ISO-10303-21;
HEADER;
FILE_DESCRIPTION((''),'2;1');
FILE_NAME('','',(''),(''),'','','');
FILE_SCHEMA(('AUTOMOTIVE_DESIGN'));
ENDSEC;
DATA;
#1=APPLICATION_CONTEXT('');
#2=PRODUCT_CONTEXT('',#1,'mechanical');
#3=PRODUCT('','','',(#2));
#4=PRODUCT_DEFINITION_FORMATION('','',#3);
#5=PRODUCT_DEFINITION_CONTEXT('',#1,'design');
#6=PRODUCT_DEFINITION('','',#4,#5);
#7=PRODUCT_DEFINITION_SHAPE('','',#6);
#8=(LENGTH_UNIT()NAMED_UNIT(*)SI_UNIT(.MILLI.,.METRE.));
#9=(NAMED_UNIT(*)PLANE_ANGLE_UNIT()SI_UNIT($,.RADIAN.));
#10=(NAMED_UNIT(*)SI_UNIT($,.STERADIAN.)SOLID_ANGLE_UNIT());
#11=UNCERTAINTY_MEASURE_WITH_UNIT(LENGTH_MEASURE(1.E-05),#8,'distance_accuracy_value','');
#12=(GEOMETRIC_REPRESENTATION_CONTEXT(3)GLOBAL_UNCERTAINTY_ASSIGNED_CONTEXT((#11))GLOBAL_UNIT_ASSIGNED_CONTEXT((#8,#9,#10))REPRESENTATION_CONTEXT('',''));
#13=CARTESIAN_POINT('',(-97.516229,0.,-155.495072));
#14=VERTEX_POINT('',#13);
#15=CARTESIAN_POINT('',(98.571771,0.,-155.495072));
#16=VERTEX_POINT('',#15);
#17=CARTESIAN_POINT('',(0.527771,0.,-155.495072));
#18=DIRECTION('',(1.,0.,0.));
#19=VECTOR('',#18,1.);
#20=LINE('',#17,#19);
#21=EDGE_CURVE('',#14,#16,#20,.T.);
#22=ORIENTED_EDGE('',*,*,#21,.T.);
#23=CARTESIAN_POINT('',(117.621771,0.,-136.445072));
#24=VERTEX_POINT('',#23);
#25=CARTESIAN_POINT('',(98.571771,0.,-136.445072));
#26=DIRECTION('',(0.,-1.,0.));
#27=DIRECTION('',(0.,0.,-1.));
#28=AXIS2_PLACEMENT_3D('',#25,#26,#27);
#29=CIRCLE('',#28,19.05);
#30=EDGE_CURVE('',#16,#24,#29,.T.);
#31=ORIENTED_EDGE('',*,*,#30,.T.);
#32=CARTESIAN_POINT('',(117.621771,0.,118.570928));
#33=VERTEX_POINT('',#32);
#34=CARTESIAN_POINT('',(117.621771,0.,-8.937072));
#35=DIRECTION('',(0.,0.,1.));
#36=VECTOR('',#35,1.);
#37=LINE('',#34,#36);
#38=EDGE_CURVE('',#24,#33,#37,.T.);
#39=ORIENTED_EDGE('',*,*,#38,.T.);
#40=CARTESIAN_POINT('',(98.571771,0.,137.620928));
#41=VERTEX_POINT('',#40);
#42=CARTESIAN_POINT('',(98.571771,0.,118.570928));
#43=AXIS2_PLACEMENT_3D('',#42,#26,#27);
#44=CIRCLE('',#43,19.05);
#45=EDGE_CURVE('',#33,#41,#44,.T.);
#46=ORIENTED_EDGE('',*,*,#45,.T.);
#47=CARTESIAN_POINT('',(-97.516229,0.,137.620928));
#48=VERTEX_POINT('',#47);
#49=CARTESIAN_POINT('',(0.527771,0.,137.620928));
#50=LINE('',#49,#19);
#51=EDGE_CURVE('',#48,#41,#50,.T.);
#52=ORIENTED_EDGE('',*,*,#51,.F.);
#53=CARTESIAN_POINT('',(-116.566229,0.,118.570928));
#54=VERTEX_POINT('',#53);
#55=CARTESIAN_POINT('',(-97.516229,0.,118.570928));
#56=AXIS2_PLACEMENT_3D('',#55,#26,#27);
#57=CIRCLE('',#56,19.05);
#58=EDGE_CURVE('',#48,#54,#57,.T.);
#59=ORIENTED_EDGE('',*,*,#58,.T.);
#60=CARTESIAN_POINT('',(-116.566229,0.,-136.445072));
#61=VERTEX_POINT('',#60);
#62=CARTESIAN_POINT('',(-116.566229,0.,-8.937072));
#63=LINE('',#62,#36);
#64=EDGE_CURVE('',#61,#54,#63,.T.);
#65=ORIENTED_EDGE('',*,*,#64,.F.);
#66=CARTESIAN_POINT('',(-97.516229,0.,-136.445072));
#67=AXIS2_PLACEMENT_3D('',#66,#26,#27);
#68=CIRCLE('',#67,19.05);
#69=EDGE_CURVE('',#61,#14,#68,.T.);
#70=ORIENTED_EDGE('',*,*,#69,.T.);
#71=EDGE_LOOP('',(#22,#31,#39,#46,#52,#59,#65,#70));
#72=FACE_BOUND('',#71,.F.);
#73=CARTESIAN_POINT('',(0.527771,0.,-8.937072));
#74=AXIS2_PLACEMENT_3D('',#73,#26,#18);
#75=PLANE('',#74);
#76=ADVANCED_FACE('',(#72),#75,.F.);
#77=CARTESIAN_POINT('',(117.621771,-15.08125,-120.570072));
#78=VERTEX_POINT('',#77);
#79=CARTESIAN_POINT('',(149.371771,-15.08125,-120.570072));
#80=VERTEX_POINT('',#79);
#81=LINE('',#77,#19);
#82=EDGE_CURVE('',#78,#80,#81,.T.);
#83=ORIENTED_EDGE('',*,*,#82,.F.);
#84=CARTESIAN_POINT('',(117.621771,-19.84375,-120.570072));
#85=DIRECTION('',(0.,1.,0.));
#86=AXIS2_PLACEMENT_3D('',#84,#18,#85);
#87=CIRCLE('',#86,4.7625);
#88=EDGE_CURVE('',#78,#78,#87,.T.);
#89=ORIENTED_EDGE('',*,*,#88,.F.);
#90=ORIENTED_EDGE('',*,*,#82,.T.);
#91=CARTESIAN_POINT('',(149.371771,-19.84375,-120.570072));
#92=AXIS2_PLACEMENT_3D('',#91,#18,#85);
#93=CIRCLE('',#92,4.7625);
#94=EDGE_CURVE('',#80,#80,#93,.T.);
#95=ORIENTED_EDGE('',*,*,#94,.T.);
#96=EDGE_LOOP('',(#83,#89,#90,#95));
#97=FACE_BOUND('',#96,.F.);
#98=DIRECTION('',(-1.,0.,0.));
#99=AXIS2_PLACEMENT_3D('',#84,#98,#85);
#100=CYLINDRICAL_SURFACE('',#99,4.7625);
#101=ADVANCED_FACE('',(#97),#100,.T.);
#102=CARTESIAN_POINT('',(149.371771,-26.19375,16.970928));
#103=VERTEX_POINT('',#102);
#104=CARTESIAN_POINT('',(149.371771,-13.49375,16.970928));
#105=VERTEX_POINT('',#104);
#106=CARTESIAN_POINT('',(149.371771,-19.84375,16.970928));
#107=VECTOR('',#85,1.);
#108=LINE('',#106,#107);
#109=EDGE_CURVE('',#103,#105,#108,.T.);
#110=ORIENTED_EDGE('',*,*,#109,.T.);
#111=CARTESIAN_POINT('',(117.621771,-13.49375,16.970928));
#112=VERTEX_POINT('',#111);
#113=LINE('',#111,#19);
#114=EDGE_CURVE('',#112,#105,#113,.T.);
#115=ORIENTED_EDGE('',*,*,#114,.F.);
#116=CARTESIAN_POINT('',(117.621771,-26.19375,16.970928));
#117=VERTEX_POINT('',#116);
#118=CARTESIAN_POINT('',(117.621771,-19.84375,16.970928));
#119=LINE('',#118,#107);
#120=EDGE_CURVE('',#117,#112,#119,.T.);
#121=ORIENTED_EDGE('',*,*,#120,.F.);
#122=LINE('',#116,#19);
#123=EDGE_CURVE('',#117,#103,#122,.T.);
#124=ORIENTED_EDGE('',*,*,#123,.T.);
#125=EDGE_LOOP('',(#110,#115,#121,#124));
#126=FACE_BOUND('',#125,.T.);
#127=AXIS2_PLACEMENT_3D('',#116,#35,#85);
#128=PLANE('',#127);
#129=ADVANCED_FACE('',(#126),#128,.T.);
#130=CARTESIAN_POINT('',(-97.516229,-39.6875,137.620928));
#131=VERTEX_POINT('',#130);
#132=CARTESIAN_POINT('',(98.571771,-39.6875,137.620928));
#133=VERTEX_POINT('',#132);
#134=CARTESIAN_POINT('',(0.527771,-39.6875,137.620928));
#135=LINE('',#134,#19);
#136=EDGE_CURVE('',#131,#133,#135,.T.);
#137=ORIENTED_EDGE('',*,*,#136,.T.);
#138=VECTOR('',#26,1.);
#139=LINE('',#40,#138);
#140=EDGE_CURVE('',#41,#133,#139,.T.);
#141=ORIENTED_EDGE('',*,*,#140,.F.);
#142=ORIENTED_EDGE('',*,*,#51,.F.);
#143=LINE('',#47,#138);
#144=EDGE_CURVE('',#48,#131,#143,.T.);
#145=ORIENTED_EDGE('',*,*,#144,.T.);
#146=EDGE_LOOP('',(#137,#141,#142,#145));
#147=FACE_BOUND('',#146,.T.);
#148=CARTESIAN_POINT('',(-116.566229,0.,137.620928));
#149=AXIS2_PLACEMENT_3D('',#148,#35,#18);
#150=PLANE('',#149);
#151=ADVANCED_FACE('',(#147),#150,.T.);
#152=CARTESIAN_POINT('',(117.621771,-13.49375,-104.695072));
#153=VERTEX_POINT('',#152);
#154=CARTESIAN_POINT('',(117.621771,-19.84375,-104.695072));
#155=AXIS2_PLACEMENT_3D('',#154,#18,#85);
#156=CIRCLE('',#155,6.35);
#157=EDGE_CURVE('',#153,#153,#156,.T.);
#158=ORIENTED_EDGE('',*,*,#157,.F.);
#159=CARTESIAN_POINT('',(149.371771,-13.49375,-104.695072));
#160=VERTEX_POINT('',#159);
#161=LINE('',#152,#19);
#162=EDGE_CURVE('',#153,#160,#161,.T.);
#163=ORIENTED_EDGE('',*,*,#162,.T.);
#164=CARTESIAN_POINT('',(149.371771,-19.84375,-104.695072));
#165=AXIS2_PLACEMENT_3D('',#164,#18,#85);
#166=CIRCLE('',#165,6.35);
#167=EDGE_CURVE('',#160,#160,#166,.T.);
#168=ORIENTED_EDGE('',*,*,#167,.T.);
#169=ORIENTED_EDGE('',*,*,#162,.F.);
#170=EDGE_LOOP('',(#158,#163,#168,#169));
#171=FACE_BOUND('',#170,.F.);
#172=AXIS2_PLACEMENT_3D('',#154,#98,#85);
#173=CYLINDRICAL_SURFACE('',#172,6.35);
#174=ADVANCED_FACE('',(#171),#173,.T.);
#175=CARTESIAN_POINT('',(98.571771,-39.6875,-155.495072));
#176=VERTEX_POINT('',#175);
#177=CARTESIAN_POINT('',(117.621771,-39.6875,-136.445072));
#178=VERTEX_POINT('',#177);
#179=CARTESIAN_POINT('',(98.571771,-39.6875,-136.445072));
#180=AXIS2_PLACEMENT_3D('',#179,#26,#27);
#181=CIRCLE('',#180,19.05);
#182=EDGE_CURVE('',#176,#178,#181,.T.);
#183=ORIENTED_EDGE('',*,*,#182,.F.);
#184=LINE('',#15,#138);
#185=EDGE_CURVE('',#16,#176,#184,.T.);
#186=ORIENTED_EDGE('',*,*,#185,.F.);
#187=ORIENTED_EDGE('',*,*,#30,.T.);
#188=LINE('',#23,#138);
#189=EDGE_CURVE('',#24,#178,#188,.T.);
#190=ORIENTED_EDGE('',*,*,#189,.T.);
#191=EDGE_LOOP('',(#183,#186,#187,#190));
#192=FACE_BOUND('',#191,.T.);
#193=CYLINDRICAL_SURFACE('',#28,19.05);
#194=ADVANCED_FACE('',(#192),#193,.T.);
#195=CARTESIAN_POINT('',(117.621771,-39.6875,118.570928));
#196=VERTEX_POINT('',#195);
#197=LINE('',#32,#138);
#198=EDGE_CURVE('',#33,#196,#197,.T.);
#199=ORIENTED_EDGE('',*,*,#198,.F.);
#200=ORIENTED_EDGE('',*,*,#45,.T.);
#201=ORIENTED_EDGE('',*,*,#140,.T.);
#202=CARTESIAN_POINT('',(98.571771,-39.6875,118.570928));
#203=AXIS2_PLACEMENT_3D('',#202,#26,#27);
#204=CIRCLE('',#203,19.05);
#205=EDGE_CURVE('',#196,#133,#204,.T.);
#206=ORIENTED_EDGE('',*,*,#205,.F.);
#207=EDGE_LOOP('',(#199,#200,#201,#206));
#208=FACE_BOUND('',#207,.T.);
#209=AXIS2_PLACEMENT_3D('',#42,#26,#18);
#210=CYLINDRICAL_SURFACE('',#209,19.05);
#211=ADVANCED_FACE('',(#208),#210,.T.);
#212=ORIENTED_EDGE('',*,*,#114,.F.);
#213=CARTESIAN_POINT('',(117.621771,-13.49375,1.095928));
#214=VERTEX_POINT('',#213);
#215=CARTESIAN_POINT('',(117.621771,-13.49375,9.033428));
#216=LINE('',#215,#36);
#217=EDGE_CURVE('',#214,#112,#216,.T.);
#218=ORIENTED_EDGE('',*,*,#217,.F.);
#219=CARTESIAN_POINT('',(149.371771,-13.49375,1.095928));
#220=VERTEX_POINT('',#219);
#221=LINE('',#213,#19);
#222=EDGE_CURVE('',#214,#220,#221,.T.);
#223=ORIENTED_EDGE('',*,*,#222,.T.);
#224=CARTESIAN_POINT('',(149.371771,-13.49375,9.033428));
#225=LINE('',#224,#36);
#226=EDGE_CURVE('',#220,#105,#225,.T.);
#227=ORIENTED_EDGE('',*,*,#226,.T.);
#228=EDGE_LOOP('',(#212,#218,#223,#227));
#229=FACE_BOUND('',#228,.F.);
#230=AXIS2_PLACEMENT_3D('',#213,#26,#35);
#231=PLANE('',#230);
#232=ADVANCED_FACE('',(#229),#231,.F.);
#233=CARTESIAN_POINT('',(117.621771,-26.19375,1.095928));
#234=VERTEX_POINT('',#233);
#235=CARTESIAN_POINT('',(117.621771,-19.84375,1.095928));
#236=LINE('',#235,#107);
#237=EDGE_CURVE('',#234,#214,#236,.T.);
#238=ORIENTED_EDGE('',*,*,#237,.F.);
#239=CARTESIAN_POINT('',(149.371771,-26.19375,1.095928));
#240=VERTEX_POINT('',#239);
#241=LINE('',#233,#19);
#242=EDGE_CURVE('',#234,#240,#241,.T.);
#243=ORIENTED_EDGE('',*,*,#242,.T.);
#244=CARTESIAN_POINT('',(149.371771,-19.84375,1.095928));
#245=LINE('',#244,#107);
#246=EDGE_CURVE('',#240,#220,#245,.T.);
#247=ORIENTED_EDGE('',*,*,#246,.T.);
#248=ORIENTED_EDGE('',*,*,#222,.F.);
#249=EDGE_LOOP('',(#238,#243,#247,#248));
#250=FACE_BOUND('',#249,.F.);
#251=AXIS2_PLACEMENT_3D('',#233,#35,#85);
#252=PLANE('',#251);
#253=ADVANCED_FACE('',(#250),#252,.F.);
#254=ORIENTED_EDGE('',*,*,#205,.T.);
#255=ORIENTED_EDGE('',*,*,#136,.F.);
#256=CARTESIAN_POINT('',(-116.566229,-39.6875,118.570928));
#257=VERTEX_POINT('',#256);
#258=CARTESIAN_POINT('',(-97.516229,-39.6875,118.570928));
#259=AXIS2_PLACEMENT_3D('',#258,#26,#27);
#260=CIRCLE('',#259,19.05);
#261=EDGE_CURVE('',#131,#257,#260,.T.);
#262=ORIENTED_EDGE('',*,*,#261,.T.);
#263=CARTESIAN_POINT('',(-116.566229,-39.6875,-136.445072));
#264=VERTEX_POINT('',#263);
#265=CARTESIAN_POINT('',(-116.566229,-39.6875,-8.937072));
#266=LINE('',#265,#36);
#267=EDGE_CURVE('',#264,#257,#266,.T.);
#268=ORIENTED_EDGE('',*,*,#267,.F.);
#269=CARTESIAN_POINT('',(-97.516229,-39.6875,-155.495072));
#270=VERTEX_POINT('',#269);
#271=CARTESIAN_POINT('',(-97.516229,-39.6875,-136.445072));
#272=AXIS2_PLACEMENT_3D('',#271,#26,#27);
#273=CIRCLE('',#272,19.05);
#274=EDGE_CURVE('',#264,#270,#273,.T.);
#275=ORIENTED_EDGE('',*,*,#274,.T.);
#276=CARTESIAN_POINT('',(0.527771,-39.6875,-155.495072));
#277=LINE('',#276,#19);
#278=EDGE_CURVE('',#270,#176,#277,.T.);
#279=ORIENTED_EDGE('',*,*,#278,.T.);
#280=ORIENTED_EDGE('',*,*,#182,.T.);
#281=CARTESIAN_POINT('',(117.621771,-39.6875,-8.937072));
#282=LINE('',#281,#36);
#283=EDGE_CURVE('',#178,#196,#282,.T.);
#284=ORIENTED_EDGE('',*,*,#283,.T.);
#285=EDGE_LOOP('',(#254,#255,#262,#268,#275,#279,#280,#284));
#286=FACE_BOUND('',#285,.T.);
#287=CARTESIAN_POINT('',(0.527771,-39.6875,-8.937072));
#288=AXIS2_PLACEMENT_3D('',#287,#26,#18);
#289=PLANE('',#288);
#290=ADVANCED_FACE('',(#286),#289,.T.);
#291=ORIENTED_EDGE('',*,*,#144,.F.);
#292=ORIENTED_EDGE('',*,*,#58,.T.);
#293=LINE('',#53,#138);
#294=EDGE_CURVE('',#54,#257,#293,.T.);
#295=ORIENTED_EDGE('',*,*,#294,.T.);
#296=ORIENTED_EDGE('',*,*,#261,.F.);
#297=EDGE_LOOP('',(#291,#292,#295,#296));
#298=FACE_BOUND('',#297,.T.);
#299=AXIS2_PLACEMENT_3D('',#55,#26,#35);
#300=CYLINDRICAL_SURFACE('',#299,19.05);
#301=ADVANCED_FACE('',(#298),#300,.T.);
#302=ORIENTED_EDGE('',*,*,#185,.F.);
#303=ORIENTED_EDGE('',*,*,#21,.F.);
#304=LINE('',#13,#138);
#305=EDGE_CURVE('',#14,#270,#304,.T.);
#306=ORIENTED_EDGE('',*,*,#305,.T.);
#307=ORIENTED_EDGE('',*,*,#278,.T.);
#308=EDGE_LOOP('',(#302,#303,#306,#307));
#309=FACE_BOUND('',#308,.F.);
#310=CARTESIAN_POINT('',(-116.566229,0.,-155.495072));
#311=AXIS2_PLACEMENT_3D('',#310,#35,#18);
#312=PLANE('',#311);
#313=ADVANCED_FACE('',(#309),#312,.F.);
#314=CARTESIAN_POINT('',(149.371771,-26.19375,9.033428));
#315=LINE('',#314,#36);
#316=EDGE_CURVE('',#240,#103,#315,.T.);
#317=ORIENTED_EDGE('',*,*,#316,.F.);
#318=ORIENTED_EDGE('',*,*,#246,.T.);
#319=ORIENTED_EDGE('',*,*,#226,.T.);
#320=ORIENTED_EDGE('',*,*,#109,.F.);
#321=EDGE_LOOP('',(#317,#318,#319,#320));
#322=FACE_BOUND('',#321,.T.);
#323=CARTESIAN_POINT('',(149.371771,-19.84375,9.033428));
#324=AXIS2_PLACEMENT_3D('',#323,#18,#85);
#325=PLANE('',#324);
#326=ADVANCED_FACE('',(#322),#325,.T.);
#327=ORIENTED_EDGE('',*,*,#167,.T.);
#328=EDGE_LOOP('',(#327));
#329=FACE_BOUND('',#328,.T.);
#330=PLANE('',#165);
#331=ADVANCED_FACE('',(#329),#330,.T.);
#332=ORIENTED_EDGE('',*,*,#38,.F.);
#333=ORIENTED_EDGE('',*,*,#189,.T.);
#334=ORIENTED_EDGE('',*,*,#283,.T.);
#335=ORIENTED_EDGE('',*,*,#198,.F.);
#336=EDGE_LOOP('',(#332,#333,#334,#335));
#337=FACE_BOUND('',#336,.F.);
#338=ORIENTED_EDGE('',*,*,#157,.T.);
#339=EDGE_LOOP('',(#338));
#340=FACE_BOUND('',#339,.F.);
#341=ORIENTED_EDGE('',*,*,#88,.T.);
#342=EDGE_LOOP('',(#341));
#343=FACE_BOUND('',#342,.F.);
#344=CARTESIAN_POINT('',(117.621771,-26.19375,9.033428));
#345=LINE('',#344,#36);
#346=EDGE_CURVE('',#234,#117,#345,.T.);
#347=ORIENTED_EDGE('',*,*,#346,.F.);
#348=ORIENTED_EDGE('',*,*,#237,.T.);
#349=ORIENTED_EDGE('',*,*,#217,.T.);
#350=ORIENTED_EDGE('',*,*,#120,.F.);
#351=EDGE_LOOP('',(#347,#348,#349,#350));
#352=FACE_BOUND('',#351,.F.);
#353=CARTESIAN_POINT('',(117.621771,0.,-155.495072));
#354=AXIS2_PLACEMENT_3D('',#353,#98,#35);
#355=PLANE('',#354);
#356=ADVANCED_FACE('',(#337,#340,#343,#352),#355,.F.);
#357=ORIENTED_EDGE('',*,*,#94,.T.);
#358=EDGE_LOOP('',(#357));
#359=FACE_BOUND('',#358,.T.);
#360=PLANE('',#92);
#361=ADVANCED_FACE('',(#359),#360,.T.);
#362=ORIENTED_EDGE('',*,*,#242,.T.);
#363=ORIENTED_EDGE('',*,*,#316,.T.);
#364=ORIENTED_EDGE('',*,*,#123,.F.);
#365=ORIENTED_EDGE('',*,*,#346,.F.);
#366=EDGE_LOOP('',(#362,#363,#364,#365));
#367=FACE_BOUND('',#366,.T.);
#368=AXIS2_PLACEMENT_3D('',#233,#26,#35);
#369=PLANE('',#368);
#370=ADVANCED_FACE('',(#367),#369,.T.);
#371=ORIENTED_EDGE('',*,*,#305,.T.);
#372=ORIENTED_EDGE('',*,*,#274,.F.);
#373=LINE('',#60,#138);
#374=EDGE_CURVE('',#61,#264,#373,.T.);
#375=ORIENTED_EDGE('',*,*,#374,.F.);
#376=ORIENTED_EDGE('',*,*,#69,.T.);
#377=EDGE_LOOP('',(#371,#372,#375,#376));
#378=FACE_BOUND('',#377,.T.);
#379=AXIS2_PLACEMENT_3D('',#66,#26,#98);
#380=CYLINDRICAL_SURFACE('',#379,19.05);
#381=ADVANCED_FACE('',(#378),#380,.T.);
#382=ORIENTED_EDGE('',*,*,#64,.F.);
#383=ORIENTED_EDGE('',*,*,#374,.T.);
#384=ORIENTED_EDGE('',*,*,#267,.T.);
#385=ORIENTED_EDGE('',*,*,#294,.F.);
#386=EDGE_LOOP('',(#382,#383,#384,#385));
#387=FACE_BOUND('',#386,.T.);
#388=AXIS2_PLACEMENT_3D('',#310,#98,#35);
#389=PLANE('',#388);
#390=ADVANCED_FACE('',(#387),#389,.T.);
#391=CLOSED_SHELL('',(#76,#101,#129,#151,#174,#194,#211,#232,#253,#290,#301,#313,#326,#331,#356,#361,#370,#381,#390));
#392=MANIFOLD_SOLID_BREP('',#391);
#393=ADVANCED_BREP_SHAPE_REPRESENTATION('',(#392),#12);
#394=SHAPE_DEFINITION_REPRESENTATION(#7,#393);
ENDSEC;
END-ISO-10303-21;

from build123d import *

# Parameters (mm, degrees)
F0_W      = 234.188
F0_H      = 293.116
F1_DEPTH  = 39.6875
F2_R      = 19.05
F3_R      = 19.05
F4_R      = 19.05
F5_R      = 19.05
F6_R      = 6.35
F7_DEPTH  = 31.75
F8_R      = 4.7625
F9_DEPTH  = 31.75
F10_W     = 12.7
F10_H     = 15.875
F11_DEPTH = 31.75


with BuildPart() as f1:
    # F0 (on Front) → F1 (new body)
    with BuildSketch(Plane.XZ):
        with Locations((0.527771, -8.937072)):
            Rectangle(F0_W, F0_H)
    extrude(amount=F1_DEPTH)

    # F2
    f2_edges = [f1.edges().sort_by_distance(p)[0] for p in [
        (117.621771, -19.84375, 137.620928),
    ]]
    fillet(f2_edges, radius=F2_R)

    # F3
    f3_edges = [f1.edges().sort_by_distance(p)[0] for p in [
        (-116.566229, -19.84375, 137.620928),
    ]]
    fillet(f3_edges, radius=F3_R)

    # F4
    f4_edges = [f1.edges().sort_by_distance(p)[0] for p in [
        (-116.566229, -19.84375, -155.495072),
    ]]
    fillet(f4_edges, radius=F4_R)

    # F5
    f5_edges = [f1.edges().sort_by_distance(p)[0] for p in [
        (117.621771, -19.84375, -155.495072),
    ]]
    fillet(f5_edges, radius=F5_R)

    # F6 (on face) → F7 (join)
    with BuildSketch(Plane.YZ.offset(117.621771)):
        with Locations((-19.84375, -104.695072)):
            Circle(F6_R)
    extrude(amount=F7_DEPTH)

    # F8 (on face) → F9 (join)
    with BuildSketch(Plane.YZ.offset(117.621771)):
        with Locations((-19.84375, -120.570072)):
            Circle(F8_R)
    extrude(amount=F9_DEPTH)

    # F10 (on face) → F11 (join)
    with BuildSketch(Plane.YZ.offset(117.621771)):
        with Locations((-19.84375, 9.033428)):
            Rectangle(F10_W, F10_H)
    extrude(amount=F11_DEPTH)


solid = f1.part
